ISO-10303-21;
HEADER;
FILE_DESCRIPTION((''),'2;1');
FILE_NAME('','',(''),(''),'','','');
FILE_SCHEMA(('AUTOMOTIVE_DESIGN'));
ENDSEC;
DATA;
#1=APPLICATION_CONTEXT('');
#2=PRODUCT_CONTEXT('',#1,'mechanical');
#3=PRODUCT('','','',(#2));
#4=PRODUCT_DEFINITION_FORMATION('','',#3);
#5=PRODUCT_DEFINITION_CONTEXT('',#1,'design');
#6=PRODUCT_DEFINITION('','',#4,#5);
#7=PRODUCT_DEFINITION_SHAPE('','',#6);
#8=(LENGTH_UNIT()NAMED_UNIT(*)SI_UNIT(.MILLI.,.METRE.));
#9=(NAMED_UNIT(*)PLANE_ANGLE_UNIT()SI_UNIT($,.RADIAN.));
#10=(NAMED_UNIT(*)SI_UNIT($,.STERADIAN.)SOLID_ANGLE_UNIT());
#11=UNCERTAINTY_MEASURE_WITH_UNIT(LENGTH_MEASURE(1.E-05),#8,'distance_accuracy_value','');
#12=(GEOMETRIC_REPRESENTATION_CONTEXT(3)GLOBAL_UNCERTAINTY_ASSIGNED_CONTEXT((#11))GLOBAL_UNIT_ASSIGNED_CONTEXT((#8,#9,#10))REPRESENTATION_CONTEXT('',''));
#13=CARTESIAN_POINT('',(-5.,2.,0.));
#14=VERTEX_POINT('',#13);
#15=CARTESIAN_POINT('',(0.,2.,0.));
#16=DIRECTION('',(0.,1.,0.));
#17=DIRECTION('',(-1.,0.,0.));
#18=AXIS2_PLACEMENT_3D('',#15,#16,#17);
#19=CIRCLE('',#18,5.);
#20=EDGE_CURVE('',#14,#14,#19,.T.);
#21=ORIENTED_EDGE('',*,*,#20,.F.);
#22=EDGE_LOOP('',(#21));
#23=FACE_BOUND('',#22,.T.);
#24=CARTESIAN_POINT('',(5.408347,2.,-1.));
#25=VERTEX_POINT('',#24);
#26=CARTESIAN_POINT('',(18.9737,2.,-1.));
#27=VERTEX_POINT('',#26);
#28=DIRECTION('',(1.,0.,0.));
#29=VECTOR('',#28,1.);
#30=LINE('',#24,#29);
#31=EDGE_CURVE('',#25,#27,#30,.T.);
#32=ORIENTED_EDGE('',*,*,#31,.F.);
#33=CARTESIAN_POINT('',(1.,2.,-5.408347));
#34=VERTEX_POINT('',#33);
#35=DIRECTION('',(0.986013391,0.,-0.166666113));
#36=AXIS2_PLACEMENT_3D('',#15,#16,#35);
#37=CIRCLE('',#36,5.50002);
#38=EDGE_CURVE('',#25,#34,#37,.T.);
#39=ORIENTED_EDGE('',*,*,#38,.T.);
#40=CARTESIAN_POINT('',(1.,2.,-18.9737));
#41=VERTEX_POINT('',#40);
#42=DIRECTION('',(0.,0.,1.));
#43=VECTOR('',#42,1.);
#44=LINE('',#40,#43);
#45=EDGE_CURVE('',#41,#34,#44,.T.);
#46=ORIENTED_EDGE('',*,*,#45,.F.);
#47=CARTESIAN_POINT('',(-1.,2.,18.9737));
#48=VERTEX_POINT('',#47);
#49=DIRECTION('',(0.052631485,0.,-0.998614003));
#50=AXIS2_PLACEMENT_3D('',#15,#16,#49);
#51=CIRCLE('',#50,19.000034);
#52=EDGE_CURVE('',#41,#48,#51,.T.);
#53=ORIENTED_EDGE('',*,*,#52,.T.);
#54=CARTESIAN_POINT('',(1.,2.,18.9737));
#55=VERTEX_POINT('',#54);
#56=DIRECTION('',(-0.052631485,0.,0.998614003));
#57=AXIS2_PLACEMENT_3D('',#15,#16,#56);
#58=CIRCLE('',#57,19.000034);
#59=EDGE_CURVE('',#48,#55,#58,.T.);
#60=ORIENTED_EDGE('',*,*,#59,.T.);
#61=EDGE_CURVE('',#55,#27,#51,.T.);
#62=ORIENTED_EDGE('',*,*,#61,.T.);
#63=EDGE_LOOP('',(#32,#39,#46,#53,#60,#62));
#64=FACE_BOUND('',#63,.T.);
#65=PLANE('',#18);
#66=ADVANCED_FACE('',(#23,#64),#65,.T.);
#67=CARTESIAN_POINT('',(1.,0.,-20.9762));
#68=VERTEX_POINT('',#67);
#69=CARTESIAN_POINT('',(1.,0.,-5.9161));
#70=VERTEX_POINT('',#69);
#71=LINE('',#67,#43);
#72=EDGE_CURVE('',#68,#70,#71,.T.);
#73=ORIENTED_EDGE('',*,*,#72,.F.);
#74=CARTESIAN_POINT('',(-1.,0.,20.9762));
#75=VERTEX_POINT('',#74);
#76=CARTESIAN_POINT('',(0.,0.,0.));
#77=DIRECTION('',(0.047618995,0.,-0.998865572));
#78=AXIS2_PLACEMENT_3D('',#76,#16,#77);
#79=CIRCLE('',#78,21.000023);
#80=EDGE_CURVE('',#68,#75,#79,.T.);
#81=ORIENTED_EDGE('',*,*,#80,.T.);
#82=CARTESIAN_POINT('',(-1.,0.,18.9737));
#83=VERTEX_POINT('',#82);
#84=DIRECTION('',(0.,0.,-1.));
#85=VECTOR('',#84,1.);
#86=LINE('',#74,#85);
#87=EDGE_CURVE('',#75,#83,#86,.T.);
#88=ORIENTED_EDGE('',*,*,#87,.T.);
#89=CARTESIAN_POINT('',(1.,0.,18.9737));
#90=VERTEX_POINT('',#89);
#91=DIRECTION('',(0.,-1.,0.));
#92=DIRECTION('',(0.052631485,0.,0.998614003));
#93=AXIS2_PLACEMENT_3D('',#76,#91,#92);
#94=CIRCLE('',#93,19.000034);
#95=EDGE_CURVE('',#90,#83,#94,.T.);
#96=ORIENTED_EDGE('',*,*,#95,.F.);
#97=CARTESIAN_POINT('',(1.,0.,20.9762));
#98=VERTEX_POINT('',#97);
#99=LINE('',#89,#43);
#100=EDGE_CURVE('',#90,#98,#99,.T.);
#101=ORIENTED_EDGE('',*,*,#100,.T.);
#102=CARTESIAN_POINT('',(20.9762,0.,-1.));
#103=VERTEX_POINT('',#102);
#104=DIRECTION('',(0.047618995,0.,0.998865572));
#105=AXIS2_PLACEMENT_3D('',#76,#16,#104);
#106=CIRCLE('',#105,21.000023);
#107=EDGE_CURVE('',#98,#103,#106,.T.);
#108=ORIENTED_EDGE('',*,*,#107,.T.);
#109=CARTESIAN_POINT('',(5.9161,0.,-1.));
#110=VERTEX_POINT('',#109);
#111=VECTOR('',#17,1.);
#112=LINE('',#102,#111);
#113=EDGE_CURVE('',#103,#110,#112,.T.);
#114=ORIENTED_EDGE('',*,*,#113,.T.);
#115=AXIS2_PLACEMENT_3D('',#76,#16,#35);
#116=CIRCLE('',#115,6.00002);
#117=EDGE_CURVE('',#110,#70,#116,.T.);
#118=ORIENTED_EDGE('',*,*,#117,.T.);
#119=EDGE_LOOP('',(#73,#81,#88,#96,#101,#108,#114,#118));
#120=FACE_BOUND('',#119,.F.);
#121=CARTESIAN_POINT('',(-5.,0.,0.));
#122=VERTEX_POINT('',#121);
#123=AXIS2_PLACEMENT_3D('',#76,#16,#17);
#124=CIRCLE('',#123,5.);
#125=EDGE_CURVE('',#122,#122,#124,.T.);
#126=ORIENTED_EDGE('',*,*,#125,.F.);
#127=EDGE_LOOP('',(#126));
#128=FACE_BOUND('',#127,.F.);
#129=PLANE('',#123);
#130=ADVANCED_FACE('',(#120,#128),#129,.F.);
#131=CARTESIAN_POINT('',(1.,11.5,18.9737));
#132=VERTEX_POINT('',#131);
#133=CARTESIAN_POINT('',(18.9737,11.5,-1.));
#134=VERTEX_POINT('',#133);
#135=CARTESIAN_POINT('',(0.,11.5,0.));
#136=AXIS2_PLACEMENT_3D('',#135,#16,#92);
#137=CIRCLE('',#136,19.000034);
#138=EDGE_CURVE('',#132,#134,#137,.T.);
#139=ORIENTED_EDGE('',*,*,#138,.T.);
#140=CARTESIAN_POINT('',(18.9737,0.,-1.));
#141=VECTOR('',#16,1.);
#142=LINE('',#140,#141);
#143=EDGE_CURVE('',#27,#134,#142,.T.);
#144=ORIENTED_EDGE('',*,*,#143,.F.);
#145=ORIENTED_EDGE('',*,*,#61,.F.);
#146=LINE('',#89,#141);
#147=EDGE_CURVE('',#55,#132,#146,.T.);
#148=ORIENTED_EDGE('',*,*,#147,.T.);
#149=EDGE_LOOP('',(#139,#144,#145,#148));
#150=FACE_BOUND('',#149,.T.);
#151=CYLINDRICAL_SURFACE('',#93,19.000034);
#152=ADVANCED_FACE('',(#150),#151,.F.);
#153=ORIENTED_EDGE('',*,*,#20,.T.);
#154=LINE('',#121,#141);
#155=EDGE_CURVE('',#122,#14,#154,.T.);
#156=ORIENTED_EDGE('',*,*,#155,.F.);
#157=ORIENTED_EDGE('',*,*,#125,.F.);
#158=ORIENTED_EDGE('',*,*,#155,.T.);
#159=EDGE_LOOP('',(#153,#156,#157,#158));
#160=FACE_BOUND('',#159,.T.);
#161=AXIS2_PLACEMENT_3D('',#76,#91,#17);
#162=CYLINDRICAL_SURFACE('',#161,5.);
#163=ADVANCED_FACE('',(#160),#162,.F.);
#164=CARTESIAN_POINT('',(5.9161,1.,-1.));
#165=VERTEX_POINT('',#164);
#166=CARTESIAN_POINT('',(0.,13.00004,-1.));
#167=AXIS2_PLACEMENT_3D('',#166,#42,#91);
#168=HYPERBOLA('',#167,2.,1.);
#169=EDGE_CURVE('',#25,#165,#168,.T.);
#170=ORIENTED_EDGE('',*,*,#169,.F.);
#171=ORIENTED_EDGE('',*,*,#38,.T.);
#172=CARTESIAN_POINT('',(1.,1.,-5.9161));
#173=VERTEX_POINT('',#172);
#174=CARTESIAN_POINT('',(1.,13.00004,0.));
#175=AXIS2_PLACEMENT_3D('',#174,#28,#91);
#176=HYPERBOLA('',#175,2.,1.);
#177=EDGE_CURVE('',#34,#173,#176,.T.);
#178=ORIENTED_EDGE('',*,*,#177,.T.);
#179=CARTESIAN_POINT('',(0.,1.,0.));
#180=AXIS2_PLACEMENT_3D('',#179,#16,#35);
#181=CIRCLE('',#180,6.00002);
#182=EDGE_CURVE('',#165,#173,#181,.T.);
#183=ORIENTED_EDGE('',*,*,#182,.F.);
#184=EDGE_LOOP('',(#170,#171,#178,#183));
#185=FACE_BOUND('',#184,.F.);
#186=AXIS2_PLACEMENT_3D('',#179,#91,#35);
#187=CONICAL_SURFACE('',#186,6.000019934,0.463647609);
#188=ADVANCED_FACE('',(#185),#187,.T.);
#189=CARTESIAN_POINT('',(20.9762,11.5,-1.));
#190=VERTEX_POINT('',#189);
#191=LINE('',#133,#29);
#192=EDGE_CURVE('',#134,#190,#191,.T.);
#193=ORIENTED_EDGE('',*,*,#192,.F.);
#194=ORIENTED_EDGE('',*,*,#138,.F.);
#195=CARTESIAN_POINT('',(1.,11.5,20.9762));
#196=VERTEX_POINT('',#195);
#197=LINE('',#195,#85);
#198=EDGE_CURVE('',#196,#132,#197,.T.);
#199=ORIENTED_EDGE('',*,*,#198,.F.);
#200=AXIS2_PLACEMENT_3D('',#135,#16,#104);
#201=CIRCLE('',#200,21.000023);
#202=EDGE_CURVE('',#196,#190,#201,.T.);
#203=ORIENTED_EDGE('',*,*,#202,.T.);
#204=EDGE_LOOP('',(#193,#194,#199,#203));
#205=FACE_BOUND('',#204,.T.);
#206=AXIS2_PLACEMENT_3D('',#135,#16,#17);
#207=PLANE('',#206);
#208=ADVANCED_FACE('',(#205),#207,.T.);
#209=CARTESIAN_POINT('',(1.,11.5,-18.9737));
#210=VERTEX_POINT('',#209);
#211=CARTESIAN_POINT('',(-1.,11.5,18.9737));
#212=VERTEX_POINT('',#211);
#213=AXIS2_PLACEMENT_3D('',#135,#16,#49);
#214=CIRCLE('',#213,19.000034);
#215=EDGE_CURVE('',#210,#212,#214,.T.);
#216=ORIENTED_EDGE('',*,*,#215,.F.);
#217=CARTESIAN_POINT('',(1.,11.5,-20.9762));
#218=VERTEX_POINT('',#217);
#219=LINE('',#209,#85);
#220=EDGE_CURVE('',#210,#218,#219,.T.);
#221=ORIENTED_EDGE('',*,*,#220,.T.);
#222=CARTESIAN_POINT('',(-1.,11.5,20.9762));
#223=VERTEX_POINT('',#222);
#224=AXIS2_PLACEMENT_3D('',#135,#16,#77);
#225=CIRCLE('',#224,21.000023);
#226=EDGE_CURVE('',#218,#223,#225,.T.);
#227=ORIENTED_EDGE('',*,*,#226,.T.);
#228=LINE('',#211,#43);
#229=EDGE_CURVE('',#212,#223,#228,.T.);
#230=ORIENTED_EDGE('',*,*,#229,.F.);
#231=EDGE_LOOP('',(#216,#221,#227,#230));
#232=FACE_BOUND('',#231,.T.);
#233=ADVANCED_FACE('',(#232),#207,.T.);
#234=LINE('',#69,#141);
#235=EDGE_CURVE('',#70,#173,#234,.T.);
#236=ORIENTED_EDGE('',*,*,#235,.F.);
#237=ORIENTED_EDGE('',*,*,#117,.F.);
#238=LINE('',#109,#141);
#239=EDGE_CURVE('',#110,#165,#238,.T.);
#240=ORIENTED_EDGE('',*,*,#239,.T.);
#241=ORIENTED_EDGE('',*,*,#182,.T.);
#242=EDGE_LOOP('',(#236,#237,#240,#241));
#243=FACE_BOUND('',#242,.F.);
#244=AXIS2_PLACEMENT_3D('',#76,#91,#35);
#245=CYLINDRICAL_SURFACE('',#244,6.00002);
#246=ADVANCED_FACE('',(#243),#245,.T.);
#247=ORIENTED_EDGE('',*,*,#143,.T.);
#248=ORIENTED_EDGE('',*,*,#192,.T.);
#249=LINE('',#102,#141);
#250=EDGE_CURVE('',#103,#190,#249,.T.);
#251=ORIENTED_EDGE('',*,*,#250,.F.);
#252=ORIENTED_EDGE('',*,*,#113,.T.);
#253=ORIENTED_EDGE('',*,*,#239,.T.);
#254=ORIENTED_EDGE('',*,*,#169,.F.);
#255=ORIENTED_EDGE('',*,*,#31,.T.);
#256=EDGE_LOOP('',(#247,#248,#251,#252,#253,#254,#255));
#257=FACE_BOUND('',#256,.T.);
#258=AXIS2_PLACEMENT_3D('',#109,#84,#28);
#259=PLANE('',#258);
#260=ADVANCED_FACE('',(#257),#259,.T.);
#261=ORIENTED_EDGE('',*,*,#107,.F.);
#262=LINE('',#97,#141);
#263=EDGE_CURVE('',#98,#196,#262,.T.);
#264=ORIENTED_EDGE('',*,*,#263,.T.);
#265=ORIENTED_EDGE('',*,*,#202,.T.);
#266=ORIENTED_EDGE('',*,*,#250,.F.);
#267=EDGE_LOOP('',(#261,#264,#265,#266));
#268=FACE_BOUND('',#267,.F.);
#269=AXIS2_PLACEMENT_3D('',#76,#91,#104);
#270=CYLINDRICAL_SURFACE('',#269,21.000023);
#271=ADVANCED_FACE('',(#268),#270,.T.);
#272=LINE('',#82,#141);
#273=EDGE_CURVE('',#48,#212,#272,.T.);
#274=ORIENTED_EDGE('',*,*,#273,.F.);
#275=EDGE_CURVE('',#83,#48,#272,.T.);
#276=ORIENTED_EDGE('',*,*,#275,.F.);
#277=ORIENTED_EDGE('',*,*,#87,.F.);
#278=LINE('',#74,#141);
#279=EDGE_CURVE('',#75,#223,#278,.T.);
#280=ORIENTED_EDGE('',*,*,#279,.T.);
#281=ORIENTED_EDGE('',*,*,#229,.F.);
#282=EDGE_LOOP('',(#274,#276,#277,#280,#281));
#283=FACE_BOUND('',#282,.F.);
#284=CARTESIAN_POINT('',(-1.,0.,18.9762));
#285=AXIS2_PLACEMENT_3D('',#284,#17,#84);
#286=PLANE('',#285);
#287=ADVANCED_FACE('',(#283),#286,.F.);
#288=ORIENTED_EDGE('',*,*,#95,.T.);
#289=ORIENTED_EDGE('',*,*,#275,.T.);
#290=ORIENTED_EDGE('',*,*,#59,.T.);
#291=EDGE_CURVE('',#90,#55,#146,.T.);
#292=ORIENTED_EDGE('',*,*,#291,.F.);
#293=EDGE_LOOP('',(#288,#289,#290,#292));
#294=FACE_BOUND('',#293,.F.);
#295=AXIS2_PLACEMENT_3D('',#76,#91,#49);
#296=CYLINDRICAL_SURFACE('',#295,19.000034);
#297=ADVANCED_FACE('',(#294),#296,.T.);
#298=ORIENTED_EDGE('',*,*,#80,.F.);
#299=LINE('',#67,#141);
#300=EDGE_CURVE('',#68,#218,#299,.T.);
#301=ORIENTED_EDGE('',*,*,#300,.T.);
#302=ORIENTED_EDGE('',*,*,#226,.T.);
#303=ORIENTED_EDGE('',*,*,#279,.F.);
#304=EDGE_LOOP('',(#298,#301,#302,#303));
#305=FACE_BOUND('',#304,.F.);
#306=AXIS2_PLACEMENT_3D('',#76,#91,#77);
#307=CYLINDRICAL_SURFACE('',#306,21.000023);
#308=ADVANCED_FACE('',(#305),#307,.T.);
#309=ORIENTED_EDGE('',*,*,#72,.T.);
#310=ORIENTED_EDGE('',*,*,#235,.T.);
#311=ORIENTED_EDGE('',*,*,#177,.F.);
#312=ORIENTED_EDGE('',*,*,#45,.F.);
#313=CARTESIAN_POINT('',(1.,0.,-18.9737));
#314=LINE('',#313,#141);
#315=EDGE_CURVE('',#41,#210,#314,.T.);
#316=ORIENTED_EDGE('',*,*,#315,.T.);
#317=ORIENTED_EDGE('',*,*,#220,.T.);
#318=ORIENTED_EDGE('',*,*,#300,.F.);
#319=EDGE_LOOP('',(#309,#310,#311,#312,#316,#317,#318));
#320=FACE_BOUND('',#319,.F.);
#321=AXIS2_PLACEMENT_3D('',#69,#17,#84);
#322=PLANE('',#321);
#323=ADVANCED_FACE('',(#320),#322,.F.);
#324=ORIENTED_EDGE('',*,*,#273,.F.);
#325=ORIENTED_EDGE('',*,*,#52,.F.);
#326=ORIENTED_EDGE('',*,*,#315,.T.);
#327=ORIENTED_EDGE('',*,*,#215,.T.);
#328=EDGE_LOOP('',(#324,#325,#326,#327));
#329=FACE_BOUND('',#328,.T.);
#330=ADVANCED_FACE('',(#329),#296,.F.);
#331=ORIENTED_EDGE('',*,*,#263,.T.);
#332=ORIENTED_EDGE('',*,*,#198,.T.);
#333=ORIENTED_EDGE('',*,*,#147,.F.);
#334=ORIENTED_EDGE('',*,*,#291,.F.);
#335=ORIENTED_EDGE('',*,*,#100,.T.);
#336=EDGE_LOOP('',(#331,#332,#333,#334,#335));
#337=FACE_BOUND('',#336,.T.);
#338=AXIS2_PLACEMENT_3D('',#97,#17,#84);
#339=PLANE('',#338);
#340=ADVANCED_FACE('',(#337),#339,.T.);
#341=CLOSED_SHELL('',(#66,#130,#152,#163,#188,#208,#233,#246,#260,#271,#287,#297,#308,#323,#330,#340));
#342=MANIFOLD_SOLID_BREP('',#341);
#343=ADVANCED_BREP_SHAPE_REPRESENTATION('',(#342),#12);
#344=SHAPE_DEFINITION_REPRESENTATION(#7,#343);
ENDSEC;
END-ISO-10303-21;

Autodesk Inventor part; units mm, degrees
ref_plane "YZ Plane" through (0, 0, 0) normal (1, 0, 0) x (0, 1, 0)
ref_plane "XZ Plane" through (0, 0, 0) normal (0, 1, 0) x (-1, 0, 0)
ref_plane "XY Plane" through (0, 0, 0) normal (0, 0, 1) x (1, 0, 0)
sketch "Sketch9" plane through (0, 0, 0) normal (0, 1, 0) x (-1, 0, 0)
  line L0 (21, 0) -> (-21, 0) construction
  line L1 (0, 21) -> (0, -21) construction
  line L2 (21, -1) -> (20.9762, -1)
  line L3 (21, 1) -> (20.9762, 1)
  line L4 (-20.9762, 1) -> (-21, 1)
  line L5 (1, 21) -> (1, 20.9762)
  line L6 (1, -20.9762) -> (1, -21)
  line L7 (-1, 21) -> (-1, 20.9762)
  line L8 (-1, -5.9161) -> (-1, -21)
  line L9 (-5.9161, -1) -> (-18.9762, -1)
  circle A0 centre (0, 0) radius 5
  arc A1 (-5.9161, -1) -> (-1, -5.9161) centre (0, 0) ccw
  line L10 (-20.9762, -1) -> (-18.9762, -1)
  line L11 (1, -21) -> (1, -3.873) construction
  line L12 (-3.873, 1) -> (-18.9762, 1) construction
  line L13 (-18.9762, 1) -> (-20.9762, 1) construction
  line L14 (-3.873, 1) -> (20.9762, 1) construction
  line L15 (-5.9161, -1) -> (20.9762, -1) construction
  line L16 (1, -3.873) -> (1, 20.9762) construction
  line L17 (-1, -5.9161) -> (-1, 20.9762) construction
  line L18 (0, 21) -> (0, 19) construction
  line L19 (0, 19) -> (1, 19) construction
  arc A2 (-1, -20.9762) -> (0, 21) centre (0, 0) ccw construction
  arc A3 (20.9762, 1) -> (-20.9762, -1) centre (0, 0) ccw construction
  arc A4 (-1, -18.9737) -> (-18.9737, -1) centre (0, 0) ccw
  line L20 (-1, 19) -> (1, 19)
  point P0 (-4.899, -1)
  point P1 (-1, -4.899)
  dimension "d35" = 10
  dimension "d50" = 2
  dimension "d53" = 38
extrude "Extrusion5" add sketch "Sketch9" along normal blind 2
chamfer "Chamfer1" distance 0.5 distance2 1 1 edges at (4.2426, 2, -4.2426) measured on face at (13.5988, 2, 4.219)
sketch "Sketch12" plane through (0, 0, 0) normal (0, 1, 0) x (-1, 0, 0)
  circle A0 centre (0, 0) radius 5 projected
  line L0 (-18.9737, -1) -> (-5.9161, -1) projected
  line L1 (-18.9737, -1) -> (-20.9762, -1)
  line L2 (-1, -5.9161) -> (-1, -18.9737) projected
  line L3 (-1, -18.9737) -> (-1, -20.9762)
  line L4 (-1, -20.9762) -> (-1, 20.9762) construction
  line L5 (-20.9762, -1) -> (20.9762, -1) construction
  line L6 (1, -20.9762) -> (1, 20.9762) construction
  line L7 (-20.9762, 1) -> (20.9762, 1) construction
  line L8 (-1, 20.9762) -> (-1, 18.9762)
  line L9 (1, 20.9762) -> (1, 18.9762)
  arc A1 (-1, -20.9762) -> (1, 20.9762) centre (0, 0) ccw
  arc A2 (-1, 20.9762) -> (-20.9762, -1) centre (0, 0) ccw
  line L10 (-1, -18) -> (-1, -20.9762)
  line L11 (-17.9722, -1) -> (-20.9762, -1)
  line L12 (1, 20.9762) -> (1, 18.9737)
  line L13 (-1, 20.9762) -> (-1, 18.9737)
  arc A3 (-1, -18.9737) -> (1, 18.9737) centre (0, 0) ccw
  arc A4 (-1, 18.9737) -> (-18.9737, -1) centre (0, 0) ccw
  line L14 (1, 18.9762) -> (0.9512, 18.9762)
  line L15 (-0.9512, 18.9762) -> (-1, 18.9762)
  line L16 (1, 18.9762) -> (0.9512, 18.9762)
  line L17 (-0.9512, 18.9762) -> (-1, 18.9762)
  point P0 (-5.4083, -1)
  point P1 (-1, -5.4083)
  point P2 (-1, 17.9722)
  point P3 (1, 18.9737)
  dimension "d63" = 2
  dimension "d64" = 2
  dimension "d65" = 2
  dimension "d66" = 2
extrude "Extrusion8" add sketch "Sketch12" along normal blind 11.5 contours L1 A2 L8 L13 A4 | A3 L12 L9 A1 L3
properties part number "base layer 2"
